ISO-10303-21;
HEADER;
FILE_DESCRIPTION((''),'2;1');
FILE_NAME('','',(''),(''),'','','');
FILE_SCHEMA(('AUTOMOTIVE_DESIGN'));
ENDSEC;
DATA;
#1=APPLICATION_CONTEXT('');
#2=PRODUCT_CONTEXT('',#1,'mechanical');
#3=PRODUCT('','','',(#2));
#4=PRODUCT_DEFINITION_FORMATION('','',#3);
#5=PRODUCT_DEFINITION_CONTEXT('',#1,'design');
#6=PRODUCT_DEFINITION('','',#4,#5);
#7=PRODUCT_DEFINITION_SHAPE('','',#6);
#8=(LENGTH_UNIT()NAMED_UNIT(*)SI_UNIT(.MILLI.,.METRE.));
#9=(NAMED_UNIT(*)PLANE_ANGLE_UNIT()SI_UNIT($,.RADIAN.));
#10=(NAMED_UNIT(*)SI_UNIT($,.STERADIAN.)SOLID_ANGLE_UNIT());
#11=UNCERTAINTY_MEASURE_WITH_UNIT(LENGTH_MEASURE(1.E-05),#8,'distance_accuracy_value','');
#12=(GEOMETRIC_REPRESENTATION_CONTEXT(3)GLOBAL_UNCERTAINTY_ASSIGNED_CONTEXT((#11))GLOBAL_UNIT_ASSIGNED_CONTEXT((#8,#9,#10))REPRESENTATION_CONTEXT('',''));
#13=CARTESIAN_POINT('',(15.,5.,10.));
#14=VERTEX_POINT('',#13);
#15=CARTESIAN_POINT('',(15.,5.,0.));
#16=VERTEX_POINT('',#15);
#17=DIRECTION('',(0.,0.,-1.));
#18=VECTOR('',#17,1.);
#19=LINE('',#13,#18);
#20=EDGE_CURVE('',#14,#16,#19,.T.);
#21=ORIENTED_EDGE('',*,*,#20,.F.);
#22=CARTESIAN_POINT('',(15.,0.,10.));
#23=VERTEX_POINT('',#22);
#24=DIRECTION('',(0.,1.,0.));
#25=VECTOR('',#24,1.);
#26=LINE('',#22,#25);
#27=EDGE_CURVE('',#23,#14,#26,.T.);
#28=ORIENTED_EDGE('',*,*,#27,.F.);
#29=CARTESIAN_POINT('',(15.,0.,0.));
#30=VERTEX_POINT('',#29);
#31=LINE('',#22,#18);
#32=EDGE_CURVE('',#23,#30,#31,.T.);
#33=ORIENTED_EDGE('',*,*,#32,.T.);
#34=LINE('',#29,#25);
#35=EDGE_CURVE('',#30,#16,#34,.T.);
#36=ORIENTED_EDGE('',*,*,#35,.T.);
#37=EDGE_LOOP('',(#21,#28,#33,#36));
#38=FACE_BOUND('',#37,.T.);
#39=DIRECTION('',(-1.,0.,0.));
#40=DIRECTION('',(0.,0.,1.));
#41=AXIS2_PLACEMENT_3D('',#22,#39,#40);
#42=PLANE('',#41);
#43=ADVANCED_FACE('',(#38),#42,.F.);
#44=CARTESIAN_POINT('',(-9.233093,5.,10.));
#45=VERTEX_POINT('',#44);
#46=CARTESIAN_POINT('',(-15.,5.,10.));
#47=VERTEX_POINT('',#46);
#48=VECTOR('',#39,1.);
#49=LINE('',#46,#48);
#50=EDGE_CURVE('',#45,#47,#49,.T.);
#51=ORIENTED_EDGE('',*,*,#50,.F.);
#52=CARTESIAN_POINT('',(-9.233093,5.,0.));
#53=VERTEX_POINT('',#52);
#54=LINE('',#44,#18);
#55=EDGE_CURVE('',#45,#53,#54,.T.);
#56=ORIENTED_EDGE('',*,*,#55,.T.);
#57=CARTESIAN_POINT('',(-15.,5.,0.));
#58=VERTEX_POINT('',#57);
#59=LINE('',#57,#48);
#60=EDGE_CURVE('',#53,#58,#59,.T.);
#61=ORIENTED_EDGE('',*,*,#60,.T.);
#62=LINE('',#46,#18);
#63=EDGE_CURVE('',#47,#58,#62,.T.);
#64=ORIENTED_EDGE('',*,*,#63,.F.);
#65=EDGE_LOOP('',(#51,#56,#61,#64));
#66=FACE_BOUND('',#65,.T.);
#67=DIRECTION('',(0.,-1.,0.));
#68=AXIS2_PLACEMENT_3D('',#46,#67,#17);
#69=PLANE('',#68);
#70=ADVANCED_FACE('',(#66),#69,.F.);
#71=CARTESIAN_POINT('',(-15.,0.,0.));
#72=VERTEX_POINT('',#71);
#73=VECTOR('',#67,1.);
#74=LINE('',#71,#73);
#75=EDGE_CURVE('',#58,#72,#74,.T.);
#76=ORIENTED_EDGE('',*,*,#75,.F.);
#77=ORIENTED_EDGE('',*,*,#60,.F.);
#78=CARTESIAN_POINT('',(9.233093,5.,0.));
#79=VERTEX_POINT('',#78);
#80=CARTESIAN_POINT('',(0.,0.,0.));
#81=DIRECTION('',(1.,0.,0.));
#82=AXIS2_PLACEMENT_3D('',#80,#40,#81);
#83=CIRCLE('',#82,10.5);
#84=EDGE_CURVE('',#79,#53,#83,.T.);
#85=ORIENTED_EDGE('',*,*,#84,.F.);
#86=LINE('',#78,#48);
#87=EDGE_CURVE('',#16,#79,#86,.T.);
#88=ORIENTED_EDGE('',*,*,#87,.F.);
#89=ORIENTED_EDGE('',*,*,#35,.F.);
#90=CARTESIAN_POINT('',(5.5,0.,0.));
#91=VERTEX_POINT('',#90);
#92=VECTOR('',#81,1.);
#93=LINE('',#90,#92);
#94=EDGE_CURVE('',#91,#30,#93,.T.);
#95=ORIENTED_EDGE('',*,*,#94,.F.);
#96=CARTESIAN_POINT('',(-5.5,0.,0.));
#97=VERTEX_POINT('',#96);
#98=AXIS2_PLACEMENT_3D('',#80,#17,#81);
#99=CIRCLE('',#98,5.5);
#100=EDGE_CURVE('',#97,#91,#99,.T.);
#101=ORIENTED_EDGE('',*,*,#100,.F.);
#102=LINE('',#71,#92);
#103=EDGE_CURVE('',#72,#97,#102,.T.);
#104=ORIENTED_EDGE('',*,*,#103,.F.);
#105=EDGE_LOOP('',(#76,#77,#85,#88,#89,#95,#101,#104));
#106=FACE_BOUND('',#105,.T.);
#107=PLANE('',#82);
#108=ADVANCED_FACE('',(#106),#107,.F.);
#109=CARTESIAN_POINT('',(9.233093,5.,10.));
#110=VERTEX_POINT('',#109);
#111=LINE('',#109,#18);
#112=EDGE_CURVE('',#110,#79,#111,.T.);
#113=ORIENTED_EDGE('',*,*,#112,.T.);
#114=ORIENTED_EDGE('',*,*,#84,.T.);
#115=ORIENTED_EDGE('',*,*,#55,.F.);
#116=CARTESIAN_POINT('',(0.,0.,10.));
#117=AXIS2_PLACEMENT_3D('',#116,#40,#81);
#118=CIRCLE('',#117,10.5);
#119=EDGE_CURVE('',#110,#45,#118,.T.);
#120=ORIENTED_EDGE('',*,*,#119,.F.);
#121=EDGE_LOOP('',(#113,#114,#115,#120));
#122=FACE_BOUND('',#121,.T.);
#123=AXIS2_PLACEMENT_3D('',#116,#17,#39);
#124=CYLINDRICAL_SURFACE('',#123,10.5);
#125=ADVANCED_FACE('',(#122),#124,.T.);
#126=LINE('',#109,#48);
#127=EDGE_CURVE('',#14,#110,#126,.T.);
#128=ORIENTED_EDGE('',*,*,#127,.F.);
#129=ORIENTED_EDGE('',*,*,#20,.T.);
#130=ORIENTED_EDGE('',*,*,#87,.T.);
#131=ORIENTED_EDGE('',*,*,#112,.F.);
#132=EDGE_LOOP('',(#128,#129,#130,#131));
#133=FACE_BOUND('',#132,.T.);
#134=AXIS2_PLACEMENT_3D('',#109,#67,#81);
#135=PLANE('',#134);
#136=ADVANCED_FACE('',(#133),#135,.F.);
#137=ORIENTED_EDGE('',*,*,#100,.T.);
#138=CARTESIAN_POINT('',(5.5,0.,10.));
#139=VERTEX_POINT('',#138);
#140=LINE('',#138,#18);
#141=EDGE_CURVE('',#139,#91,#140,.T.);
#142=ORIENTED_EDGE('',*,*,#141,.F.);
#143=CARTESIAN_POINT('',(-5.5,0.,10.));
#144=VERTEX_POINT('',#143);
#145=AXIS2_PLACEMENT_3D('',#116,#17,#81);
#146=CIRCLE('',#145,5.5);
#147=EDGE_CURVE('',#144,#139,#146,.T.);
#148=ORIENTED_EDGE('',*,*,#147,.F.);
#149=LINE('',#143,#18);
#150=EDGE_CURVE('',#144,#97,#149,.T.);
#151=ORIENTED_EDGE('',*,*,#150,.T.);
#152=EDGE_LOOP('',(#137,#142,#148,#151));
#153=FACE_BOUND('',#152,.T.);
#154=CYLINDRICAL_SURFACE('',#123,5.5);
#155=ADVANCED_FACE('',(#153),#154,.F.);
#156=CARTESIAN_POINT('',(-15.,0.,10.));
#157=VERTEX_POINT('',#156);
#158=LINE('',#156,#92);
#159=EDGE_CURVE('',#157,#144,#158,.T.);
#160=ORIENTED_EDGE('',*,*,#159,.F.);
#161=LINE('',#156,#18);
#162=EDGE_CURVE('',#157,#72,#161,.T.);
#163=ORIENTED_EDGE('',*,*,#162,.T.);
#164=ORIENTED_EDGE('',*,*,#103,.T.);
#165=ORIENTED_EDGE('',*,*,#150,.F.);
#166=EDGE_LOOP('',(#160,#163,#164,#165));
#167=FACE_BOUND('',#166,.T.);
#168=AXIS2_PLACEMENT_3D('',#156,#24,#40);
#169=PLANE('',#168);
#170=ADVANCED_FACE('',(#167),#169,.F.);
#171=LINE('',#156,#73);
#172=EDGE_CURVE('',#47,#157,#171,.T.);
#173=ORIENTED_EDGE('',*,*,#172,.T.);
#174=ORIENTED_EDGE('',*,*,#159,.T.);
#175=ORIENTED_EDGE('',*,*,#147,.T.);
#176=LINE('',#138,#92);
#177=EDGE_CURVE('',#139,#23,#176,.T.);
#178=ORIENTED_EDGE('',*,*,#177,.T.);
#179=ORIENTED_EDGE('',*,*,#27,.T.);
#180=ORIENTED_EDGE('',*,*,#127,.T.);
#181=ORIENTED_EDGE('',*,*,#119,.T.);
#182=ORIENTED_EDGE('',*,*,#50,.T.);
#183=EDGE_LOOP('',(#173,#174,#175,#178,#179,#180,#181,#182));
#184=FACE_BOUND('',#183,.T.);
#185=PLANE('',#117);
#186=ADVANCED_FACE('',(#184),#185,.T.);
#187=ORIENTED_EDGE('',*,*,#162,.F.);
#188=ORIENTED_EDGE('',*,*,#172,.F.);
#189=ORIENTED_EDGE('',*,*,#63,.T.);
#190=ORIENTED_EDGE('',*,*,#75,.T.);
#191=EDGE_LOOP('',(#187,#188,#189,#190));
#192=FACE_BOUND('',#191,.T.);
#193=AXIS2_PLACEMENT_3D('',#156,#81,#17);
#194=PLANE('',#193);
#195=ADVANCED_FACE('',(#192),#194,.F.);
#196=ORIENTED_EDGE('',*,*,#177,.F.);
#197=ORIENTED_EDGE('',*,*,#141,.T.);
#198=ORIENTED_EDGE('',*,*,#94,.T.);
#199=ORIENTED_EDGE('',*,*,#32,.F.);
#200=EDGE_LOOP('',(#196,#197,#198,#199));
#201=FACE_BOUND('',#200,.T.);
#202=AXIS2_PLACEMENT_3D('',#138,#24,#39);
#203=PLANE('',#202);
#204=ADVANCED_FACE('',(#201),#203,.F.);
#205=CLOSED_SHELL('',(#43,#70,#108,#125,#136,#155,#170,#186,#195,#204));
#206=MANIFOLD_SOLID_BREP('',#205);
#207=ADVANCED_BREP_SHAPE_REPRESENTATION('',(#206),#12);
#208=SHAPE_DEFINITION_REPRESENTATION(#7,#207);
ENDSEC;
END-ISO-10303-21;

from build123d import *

# Parameters (mm, degrees)
BOSS_EXTRUDE1_DEPTH = 10


with BuildPart() as part:
    # Sketch1 → Boss-Extrude1 (new body)
    with BuildSketch(Plane.XY):
        with BuildLine():
            Line((-15, 0), (-5.5, 0))
            ThreePointArc((-5.5, 0), (0, 5.5), (5.5, 0))
            Line((5.5, 0), (15, 0))
            Line((15, 0), (15, 5))
            Line((15, 5), (9.233092656, 5))
            ThreePointArc((9.233092656, 5), (0, 10.5), (-9.233092656, 5))
            Line((-9.233092656, 5), (-15, 5))
            Line((-15, 5), (-15, 0))
        make_face()
    extrude(amount=BOSS_EXTRUDE1_DEPTH)


solid = part.part
